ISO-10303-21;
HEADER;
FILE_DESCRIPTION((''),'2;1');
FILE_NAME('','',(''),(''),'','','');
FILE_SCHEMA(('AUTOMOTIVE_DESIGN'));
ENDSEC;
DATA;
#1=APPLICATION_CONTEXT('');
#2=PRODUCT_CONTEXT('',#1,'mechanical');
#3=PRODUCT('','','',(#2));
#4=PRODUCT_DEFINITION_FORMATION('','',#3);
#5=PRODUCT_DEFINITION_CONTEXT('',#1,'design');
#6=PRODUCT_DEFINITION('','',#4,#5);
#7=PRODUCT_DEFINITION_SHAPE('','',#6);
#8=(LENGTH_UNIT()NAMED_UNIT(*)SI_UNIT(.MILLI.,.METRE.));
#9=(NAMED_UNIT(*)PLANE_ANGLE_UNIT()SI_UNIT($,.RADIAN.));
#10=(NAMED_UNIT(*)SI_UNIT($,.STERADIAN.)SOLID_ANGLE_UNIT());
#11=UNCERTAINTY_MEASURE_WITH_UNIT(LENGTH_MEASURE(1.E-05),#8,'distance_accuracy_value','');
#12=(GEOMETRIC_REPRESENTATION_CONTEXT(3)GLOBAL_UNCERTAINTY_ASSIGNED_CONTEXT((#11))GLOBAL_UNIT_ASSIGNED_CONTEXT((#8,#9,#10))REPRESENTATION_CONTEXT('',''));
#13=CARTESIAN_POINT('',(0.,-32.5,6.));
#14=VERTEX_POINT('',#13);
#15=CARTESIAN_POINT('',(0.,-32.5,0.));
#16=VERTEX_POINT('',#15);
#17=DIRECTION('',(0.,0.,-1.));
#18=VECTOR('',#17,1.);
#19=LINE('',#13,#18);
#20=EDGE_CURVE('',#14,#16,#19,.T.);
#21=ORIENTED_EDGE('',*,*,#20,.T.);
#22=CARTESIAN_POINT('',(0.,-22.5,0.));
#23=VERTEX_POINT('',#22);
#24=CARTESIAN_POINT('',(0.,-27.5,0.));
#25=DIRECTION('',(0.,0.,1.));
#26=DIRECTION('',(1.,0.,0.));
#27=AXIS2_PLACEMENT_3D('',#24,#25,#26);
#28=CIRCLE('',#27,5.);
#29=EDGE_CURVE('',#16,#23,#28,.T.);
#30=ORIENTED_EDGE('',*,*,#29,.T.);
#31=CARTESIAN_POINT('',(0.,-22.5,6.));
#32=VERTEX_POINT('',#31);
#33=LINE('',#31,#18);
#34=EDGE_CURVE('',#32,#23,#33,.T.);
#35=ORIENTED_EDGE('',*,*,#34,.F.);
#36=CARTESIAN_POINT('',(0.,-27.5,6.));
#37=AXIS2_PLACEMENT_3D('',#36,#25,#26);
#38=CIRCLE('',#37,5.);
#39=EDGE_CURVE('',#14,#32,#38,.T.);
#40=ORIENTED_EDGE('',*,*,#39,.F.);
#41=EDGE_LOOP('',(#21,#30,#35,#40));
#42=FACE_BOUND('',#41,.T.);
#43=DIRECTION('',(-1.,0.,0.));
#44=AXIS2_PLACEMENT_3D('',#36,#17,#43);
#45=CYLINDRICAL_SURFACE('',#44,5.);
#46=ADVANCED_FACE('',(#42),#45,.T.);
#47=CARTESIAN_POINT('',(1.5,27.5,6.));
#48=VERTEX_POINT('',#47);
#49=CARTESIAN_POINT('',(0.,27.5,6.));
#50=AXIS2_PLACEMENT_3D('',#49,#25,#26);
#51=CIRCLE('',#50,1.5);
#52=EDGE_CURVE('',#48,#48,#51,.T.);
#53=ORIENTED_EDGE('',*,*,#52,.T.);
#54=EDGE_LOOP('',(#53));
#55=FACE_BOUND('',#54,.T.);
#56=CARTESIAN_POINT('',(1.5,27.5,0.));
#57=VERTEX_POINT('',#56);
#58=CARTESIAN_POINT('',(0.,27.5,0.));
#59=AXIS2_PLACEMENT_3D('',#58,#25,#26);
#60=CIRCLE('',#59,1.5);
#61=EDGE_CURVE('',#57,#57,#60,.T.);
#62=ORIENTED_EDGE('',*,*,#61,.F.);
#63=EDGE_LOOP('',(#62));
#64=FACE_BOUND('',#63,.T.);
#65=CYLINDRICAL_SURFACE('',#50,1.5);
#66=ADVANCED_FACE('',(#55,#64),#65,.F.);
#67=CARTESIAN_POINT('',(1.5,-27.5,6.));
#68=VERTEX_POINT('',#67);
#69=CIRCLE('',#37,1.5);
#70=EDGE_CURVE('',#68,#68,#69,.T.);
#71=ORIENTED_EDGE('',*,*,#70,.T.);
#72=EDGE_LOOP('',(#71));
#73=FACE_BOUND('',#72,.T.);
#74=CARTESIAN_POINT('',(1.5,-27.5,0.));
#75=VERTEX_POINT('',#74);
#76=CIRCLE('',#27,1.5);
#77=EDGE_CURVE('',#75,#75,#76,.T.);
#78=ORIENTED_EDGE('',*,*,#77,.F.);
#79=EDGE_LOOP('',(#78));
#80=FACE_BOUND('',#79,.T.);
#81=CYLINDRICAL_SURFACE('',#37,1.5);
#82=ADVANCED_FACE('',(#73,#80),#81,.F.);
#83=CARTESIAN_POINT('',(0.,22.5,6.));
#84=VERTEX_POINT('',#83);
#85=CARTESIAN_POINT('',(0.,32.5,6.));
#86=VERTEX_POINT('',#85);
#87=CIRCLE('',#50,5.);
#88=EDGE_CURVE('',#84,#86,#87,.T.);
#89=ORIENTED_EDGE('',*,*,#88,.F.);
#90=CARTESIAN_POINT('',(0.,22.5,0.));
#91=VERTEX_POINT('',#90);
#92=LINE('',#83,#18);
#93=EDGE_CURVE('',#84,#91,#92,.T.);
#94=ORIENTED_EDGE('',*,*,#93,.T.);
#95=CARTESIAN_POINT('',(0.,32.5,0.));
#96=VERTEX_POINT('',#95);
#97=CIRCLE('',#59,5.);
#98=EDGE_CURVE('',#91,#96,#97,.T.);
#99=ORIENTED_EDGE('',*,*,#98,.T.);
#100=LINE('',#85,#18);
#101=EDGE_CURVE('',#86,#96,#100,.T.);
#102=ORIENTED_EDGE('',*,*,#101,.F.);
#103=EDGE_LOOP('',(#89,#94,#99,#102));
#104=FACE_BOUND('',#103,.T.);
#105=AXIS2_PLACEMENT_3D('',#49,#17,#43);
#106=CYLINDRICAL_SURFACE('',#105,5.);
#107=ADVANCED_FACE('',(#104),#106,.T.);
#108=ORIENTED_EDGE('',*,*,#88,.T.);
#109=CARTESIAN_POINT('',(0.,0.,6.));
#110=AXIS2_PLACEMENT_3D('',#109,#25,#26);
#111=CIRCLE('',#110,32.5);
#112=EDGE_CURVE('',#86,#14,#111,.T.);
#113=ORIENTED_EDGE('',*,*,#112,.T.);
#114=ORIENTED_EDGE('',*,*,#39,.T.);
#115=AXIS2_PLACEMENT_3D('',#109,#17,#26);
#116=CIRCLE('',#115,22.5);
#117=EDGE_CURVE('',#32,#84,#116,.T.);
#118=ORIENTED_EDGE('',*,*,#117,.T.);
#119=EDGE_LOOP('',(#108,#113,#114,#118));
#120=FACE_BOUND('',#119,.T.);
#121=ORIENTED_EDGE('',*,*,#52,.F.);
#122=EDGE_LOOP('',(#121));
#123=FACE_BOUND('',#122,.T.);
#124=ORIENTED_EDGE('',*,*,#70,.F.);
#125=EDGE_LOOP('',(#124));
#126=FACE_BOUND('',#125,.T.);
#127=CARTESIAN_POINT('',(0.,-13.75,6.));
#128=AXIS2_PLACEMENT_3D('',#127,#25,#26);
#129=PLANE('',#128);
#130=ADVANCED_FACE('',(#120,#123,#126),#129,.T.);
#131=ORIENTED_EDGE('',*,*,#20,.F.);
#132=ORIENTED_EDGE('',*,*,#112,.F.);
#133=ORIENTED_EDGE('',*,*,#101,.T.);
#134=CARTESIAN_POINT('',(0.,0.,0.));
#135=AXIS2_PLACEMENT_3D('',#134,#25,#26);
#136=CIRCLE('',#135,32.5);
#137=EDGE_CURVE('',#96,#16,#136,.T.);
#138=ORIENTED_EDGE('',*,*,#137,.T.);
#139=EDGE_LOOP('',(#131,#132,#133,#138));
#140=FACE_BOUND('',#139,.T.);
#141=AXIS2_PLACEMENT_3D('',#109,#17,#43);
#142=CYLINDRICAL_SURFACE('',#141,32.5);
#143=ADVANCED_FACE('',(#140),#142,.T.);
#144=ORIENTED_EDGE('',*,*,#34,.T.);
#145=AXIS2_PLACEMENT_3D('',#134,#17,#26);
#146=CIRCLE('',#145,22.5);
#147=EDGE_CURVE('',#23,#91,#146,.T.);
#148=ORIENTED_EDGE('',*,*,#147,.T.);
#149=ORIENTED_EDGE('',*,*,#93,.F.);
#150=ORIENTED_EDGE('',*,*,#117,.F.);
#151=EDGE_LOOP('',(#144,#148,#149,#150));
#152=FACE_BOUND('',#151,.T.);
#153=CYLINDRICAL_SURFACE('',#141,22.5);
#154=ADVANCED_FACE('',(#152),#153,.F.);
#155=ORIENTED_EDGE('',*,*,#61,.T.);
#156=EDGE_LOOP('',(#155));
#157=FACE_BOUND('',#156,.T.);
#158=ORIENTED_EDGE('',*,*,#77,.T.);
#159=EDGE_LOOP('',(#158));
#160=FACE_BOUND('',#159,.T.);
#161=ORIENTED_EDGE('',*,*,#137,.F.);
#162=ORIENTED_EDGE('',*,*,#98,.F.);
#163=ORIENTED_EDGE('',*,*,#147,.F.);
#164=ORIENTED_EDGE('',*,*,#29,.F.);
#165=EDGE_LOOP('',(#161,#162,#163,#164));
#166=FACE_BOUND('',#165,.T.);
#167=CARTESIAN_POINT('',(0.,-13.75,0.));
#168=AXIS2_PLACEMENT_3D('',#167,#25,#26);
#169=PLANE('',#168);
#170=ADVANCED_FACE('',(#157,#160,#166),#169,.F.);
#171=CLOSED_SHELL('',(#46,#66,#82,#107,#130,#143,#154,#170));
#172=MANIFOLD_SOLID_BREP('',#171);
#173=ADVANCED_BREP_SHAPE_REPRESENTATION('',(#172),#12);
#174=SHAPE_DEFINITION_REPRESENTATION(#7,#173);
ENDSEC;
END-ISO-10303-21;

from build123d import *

# Parameters (mm, degrees)
BOSS_EXTRUDE1_DEPTH   = 6
F_3_0MM_DOWEL_HOLE1_D = 3


with BuildPart() as part:
    # Sketch1 → Boss-Extrude1 (new body)
    with BuildSketch(Plane.XY):
        with BuildLine():
            ThreePointArc((0, 32.5), (-32.5, 0), (0, -32.5))
            ThreePointArc((0, -32.5), (5, -27.5), (0, -22.5))
            ThreePointArc((0, -22.5), (-22.5, 0), (0, 22.5))
            ThreePointArc((0, 22.5), (5, 27.5), (0, 32.5))
        make_face()
    extrude(amount=BOSS_EXTRUDE1_DEPTH)

    # Ø3.0mm Dowel Hole1 (through all)
    with Locations(Plane.XY.offset(6)):
        with Locations((0, 27.5), (0, -27.5)):
            Hole(F_3_0MM_DOWEL_HOLE1_D / 2)


solid = part.part
